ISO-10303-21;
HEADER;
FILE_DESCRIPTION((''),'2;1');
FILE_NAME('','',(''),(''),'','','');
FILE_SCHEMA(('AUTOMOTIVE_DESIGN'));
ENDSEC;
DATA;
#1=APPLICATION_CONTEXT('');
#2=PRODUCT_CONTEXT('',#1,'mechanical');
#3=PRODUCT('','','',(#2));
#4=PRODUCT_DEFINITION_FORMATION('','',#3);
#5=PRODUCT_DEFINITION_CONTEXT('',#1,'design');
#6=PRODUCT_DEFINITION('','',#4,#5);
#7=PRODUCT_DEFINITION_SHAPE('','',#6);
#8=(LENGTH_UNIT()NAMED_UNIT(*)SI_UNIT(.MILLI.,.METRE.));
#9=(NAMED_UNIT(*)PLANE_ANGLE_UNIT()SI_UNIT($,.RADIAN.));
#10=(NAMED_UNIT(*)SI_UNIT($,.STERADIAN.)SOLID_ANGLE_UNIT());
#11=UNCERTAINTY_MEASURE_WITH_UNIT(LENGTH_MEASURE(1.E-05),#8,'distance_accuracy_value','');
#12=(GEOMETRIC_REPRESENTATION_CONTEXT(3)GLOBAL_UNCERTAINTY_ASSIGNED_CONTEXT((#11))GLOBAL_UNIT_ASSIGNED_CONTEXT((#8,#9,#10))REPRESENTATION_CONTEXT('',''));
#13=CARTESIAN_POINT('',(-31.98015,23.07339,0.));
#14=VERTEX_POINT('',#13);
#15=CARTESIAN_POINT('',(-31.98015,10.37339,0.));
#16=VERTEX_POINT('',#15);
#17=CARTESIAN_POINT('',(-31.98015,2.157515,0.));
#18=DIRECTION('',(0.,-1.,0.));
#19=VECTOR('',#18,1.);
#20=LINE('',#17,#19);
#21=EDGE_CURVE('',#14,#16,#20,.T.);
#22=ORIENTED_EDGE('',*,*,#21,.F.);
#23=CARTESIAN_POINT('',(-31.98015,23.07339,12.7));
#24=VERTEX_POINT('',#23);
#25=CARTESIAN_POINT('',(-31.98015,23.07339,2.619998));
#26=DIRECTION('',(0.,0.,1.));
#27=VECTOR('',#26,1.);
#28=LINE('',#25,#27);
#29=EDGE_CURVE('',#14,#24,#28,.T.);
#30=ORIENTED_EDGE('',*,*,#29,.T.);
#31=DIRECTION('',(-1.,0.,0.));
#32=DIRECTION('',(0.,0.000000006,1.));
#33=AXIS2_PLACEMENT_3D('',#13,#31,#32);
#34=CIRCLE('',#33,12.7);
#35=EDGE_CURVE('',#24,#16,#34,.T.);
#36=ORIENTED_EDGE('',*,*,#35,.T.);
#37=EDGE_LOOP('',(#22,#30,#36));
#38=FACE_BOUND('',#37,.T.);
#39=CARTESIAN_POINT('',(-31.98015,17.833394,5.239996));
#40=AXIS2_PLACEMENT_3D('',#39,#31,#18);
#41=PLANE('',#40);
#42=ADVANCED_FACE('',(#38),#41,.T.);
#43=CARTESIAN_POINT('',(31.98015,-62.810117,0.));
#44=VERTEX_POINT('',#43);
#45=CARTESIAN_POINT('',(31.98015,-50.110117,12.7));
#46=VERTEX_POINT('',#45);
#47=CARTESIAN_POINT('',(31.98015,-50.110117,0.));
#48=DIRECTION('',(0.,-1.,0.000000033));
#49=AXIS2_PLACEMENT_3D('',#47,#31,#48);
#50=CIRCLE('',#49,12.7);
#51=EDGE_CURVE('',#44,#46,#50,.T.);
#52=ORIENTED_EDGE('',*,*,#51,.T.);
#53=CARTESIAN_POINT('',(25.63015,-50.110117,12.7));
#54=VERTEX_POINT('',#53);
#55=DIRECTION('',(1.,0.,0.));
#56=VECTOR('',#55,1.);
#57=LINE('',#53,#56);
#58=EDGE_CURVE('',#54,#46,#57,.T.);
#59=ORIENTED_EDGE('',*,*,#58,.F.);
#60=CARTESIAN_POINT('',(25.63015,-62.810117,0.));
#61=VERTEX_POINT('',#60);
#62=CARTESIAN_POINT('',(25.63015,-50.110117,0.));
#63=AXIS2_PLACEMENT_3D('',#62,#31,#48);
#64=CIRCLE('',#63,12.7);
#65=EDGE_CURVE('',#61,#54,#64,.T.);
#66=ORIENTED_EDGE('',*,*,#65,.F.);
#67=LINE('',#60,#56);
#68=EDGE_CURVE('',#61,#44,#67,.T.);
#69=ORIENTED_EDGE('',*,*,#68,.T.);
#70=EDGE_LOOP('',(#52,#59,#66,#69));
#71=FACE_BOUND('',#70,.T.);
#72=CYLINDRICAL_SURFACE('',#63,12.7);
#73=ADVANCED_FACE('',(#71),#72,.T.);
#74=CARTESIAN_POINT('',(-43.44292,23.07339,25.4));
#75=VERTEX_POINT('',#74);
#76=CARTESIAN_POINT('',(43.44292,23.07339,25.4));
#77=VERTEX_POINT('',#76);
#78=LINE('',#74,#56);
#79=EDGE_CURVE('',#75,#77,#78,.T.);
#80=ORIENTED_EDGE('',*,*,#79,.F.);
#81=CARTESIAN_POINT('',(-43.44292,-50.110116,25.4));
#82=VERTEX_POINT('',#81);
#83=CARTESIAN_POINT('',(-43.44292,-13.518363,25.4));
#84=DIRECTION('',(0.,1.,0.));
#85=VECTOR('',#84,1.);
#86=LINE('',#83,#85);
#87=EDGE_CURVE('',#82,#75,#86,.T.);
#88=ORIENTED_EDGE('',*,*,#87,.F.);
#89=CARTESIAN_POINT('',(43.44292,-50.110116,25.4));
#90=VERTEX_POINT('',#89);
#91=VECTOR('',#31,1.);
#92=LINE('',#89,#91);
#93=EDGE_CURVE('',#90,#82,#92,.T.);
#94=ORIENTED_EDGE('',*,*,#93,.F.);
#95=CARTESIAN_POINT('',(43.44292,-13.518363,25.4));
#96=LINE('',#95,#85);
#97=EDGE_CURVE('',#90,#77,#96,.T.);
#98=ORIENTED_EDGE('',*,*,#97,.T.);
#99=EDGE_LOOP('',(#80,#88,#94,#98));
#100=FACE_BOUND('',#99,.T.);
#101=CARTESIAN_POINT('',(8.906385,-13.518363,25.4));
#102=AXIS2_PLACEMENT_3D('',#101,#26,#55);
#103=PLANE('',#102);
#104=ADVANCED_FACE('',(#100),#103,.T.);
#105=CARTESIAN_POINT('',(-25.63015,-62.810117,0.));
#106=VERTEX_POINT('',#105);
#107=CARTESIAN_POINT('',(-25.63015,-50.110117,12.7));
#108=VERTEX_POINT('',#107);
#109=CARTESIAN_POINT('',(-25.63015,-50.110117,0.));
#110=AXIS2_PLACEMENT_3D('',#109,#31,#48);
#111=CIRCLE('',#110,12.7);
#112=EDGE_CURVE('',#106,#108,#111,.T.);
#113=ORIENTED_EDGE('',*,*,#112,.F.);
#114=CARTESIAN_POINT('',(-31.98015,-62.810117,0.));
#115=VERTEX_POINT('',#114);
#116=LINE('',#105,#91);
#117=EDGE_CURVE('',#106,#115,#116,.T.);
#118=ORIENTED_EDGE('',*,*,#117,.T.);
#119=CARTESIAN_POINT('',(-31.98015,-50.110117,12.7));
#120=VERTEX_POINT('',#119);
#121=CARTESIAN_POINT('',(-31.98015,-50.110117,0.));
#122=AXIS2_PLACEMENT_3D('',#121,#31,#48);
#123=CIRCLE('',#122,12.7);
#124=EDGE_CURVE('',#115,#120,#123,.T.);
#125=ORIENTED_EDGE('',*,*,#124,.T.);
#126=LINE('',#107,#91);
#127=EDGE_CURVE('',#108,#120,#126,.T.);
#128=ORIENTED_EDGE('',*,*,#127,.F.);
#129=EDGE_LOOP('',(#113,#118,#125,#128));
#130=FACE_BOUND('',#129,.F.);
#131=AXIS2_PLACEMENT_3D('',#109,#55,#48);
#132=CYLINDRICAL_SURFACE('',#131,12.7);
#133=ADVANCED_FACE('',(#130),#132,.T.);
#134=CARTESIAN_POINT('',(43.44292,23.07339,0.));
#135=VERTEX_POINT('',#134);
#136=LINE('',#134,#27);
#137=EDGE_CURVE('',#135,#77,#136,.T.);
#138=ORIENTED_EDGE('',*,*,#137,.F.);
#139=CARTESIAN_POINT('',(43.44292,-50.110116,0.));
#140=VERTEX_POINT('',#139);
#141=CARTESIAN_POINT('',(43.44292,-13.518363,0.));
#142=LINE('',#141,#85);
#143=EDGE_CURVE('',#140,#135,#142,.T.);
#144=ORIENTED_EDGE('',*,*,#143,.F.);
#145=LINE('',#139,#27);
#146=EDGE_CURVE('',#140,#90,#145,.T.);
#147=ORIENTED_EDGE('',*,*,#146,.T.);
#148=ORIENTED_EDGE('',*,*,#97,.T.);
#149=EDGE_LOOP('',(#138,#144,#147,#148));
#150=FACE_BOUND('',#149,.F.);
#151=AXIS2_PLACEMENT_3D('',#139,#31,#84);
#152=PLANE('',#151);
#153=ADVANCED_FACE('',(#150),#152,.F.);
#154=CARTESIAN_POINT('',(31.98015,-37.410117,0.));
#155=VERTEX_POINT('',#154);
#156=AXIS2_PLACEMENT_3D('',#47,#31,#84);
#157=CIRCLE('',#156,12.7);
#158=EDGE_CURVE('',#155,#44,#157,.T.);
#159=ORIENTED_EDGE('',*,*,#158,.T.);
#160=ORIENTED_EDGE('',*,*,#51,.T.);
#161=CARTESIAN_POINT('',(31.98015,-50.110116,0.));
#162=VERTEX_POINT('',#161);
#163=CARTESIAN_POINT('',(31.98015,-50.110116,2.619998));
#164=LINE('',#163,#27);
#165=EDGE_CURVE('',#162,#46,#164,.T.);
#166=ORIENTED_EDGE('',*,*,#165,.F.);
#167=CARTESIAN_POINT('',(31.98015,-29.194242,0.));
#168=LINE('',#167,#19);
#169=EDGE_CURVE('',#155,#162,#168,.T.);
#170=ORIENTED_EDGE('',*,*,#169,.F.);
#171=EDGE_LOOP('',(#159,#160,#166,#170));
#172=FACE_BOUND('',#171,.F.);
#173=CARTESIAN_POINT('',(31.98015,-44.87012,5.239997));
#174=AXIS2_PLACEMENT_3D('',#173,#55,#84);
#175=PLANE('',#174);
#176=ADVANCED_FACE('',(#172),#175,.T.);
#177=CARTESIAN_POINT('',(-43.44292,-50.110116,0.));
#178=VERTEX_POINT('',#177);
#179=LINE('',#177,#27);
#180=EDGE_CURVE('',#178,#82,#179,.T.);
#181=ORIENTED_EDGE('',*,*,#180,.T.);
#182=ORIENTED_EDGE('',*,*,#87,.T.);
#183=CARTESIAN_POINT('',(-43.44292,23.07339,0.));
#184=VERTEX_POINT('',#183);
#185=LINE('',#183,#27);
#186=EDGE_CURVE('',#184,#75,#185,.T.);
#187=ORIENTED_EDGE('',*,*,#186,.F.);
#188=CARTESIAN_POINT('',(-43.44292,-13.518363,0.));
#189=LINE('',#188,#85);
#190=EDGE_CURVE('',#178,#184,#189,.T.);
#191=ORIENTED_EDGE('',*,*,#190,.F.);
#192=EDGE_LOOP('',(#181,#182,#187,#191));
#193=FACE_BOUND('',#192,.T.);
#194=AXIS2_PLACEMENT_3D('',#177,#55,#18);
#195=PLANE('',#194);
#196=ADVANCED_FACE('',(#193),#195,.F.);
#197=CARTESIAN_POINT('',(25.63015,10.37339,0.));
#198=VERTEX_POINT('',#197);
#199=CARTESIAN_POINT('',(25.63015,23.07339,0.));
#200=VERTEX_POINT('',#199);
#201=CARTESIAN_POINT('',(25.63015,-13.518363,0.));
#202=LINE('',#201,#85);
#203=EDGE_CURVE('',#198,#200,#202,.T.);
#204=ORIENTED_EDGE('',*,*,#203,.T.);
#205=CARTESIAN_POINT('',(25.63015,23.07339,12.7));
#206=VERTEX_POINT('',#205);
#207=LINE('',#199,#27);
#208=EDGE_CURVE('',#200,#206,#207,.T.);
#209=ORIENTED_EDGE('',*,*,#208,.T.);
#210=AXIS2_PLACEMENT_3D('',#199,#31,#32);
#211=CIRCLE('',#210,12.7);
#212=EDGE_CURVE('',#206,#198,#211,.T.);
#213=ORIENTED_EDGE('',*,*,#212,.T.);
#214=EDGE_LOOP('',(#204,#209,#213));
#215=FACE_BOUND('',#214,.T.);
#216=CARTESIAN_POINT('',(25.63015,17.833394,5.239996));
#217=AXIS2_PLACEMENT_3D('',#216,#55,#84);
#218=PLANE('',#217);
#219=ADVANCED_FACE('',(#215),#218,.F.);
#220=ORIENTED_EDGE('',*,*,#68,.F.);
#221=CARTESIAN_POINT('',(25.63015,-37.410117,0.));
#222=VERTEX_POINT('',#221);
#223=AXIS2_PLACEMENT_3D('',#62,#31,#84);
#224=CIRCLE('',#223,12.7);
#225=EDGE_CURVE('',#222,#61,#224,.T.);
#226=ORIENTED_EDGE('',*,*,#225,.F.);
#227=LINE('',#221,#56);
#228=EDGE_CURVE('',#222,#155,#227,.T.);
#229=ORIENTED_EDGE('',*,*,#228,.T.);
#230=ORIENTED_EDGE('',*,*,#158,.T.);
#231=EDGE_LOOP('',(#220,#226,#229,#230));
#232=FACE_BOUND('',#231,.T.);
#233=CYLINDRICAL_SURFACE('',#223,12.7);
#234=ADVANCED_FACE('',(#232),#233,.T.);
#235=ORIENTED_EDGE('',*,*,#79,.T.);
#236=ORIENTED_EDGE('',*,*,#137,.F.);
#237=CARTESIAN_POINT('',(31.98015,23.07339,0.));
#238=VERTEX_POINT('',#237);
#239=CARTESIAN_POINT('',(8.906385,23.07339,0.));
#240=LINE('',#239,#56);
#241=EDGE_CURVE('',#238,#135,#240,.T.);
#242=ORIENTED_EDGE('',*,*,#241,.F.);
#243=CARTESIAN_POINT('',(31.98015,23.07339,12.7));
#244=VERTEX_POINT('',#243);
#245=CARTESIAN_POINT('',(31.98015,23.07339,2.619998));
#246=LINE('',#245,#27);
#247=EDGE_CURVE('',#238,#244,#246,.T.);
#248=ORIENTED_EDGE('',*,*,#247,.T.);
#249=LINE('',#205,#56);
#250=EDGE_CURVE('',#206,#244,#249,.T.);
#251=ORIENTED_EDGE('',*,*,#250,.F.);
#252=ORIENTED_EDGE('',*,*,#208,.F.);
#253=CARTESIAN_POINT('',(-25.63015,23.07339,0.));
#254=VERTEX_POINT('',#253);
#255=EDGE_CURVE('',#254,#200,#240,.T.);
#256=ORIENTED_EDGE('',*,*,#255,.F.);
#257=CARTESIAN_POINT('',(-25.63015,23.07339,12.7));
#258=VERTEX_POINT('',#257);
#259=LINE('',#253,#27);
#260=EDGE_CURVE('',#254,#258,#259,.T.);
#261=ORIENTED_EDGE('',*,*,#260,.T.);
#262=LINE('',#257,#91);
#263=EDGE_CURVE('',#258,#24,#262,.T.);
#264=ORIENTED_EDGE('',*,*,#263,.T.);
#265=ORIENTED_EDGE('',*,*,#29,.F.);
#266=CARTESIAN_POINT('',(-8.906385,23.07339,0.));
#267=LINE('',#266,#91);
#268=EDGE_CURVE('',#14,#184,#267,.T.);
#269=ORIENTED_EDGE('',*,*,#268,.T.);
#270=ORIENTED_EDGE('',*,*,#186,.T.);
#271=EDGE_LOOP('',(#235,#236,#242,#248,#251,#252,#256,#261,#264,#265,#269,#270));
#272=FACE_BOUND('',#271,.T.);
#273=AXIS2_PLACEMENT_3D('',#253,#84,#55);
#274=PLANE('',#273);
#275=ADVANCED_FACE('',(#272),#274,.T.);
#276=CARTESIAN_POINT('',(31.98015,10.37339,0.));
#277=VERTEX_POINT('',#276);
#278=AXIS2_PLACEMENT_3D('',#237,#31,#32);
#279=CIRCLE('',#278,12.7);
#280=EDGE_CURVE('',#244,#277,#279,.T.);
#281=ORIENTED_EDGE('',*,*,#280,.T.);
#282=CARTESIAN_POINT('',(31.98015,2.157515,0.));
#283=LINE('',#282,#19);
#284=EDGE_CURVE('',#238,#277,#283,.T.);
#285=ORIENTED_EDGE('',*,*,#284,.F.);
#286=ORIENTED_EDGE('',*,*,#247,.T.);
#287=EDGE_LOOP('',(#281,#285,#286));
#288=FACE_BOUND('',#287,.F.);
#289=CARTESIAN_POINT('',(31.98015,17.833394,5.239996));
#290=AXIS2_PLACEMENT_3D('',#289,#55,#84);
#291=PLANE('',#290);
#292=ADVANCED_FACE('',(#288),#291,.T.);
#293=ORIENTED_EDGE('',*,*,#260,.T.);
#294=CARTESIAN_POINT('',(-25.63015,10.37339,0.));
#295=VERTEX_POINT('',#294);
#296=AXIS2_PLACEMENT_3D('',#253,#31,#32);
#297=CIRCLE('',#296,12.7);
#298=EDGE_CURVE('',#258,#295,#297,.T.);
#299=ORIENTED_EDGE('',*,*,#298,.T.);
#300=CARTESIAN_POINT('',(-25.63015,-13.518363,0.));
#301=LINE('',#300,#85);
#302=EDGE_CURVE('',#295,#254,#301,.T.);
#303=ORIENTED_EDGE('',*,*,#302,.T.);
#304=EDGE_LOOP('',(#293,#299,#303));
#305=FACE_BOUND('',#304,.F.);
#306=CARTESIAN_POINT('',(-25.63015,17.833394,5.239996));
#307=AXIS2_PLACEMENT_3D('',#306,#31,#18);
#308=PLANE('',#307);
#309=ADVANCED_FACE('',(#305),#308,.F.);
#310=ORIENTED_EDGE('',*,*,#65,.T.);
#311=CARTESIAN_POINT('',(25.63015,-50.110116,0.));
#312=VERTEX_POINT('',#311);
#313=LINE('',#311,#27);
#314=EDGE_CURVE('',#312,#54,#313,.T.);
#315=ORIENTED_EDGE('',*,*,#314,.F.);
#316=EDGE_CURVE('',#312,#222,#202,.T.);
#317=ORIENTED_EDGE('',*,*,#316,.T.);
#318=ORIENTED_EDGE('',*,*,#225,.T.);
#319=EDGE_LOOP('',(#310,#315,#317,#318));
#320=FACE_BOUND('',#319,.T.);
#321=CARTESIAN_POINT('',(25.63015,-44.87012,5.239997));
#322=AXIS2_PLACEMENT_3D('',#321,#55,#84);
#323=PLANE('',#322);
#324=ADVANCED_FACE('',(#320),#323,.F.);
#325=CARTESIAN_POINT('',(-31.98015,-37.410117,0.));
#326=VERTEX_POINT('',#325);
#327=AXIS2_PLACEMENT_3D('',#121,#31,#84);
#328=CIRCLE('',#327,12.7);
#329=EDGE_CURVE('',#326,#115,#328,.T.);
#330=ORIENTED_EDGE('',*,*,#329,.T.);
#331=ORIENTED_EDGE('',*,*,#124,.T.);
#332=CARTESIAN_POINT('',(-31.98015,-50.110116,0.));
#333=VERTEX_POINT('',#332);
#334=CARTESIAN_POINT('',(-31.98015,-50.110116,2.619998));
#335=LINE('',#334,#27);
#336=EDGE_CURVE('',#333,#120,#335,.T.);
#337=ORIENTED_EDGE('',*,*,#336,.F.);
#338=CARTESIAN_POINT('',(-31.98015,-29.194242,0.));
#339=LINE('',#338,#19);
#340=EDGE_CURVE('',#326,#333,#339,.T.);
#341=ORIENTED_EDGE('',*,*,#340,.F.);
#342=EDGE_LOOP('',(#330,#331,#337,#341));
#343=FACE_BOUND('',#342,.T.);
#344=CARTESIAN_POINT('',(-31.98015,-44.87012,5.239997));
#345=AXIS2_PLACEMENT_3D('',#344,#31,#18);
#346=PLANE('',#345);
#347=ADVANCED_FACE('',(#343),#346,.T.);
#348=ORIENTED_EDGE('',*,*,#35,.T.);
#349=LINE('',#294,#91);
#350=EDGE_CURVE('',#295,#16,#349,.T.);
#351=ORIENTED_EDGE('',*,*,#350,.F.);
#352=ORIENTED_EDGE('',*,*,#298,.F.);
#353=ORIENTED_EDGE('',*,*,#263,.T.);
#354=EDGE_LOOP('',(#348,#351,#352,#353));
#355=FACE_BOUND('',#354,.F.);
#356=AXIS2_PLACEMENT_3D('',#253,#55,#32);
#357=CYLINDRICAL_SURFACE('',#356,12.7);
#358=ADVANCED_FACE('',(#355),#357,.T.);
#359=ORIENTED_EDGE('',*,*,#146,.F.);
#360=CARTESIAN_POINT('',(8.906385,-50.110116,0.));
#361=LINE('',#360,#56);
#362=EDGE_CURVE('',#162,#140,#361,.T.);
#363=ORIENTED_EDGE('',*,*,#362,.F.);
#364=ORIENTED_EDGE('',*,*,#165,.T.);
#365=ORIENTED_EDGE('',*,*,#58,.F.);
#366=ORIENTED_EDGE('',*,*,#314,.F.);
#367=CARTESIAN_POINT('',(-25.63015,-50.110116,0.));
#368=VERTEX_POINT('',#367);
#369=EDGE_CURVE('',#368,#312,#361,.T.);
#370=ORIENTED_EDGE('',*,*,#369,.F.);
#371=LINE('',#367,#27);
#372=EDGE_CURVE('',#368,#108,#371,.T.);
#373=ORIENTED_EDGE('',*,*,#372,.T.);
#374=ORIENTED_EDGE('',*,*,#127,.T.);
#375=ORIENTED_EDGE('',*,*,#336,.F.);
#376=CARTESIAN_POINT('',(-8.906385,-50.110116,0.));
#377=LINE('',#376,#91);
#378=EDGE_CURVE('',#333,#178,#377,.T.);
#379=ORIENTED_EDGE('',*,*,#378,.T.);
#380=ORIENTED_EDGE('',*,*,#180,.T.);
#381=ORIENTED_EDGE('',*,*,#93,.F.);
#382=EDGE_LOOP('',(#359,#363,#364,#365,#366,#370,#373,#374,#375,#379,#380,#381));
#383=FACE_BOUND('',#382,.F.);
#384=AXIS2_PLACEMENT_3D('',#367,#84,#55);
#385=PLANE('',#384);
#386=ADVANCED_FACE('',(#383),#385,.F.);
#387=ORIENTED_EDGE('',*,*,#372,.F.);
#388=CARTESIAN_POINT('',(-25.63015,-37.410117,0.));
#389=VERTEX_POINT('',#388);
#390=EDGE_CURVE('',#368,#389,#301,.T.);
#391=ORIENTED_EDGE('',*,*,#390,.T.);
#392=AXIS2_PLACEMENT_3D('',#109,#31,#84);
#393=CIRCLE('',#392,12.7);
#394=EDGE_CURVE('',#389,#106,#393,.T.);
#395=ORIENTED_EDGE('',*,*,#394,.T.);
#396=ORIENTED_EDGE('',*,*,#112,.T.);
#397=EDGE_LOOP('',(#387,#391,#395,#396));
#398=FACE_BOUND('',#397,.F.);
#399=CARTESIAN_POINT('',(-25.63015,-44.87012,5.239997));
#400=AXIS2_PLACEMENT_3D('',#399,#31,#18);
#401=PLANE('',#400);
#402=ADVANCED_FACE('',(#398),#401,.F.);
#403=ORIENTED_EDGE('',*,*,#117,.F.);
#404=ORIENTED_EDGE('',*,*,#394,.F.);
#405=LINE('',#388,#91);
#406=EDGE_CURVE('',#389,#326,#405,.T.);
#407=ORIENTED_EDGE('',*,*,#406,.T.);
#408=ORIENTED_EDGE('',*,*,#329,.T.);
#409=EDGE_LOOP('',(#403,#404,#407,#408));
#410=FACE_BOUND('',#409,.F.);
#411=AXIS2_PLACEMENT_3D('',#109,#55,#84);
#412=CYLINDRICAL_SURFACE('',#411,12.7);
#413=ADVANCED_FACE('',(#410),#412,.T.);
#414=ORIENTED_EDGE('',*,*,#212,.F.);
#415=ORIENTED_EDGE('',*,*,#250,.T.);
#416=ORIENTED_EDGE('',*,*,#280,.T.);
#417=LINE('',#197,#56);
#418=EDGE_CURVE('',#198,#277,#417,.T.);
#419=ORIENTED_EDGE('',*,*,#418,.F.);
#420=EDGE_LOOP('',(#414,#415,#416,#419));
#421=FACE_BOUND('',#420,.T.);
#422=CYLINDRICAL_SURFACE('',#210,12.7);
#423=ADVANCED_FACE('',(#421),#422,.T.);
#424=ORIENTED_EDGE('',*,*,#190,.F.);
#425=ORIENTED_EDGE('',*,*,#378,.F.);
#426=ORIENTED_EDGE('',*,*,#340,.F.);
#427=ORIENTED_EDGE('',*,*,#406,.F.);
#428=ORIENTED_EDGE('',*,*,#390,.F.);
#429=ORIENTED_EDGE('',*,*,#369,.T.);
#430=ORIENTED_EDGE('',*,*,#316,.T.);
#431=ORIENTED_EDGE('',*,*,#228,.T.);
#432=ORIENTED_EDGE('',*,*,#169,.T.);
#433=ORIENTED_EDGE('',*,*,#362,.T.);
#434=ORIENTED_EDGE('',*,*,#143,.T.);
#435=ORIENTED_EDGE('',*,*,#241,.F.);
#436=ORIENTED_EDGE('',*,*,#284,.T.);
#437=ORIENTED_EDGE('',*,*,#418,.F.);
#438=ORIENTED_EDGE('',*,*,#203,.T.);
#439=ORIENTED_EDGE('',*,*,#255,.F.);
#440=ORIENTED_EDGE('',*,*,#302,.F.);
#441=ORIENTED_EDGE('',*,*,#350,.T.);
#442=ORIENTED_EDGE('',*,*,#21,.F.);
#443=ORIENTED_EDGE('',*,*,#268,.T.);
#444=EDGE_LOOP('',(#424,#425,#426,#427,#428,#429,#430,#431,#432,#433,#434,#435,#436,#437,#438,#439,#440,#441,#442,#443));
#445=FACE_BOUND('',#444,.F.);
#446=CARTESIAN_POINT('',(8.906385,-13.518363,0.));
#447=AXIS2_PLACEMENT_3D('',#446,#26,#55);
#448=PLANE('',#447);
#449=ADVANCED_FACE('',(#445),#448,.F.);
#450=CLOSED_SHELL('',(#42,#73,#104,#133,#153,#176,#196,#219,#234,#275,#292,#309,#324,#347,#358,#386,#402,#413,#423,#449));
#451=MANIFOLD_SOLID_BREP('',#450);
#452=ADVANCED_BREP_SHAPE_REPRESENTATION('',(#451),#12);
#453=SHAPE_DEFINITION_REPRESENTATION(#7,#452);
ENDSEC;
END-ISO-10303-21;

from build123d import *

# Parameters (mm, degrees)
F0_W     = 69.07307
F0_H     = 73.183507
F1_DEPTH = 25.4
F3_DEPTH = 6.35


with BuildPart() as f1:
    # F0 (on Top) → F1 (new body)
    with BuildSketch(Plane.XY):
        with Locations((8.906385, -13.518363)):
            Rectangle(F0_W, F0_H)
    extrude(amount=F1_DEPTH)

    # F2 (on face) → F3 (join)
    with BuildSketch(Plane(origin=(-25.63015, 0, 0), x_dir=(0, -1, 0), z_dir=(-1, 0, 0))):
        with BuildLine():
            Line((-23.07339, 0), (-10.37339, 0))
            ThreePointArc((-10.37339, 0), (-14.093134, 8.980256), (-23.07339, 12.7))
            Line((-23.07339, 12.7), (-23.07339, 0))
        make_face()
        with BuildLine():
            ThreePointArc((-23.07339, 12.7), (-32.053646, -8.980256), (-10.37339, 0))
            Line((-10.37339, 0), (-23.07339, 0))
            Line((-23.07339, 0), (-23.07339, 12.7))
        make_face()
        with BuildLine():
            ThreePointArc((50.110117, 12.7), (41.12986, 8.980256), (37.410117, 0))
            Line((37.410117, 0), (50.110117, 0))
            Line((50.110117, 0), (50.110117, 12.7))
        make_face()
        with BuildLine():
            Line((50.110117, 0), (37.410117, 0))
            ThreePointArc((37.410117, 0), (50.110117, -12.7), (62.810117, 0))
            ThreePointArc((62.810117, 0), (59.090373, 8.980256), (50.110117, 12.7))
            Line((50.110117, 12.7), (50.110117, 0))
        make_face()
    extrude(amount=F3_DEPTH)

    # F4: F1 across plane


with BuildPart() as f1_1:
    add(f1.part)
    add(f1.part.mirror(Plane.YZ))


solid = f1_1.part
